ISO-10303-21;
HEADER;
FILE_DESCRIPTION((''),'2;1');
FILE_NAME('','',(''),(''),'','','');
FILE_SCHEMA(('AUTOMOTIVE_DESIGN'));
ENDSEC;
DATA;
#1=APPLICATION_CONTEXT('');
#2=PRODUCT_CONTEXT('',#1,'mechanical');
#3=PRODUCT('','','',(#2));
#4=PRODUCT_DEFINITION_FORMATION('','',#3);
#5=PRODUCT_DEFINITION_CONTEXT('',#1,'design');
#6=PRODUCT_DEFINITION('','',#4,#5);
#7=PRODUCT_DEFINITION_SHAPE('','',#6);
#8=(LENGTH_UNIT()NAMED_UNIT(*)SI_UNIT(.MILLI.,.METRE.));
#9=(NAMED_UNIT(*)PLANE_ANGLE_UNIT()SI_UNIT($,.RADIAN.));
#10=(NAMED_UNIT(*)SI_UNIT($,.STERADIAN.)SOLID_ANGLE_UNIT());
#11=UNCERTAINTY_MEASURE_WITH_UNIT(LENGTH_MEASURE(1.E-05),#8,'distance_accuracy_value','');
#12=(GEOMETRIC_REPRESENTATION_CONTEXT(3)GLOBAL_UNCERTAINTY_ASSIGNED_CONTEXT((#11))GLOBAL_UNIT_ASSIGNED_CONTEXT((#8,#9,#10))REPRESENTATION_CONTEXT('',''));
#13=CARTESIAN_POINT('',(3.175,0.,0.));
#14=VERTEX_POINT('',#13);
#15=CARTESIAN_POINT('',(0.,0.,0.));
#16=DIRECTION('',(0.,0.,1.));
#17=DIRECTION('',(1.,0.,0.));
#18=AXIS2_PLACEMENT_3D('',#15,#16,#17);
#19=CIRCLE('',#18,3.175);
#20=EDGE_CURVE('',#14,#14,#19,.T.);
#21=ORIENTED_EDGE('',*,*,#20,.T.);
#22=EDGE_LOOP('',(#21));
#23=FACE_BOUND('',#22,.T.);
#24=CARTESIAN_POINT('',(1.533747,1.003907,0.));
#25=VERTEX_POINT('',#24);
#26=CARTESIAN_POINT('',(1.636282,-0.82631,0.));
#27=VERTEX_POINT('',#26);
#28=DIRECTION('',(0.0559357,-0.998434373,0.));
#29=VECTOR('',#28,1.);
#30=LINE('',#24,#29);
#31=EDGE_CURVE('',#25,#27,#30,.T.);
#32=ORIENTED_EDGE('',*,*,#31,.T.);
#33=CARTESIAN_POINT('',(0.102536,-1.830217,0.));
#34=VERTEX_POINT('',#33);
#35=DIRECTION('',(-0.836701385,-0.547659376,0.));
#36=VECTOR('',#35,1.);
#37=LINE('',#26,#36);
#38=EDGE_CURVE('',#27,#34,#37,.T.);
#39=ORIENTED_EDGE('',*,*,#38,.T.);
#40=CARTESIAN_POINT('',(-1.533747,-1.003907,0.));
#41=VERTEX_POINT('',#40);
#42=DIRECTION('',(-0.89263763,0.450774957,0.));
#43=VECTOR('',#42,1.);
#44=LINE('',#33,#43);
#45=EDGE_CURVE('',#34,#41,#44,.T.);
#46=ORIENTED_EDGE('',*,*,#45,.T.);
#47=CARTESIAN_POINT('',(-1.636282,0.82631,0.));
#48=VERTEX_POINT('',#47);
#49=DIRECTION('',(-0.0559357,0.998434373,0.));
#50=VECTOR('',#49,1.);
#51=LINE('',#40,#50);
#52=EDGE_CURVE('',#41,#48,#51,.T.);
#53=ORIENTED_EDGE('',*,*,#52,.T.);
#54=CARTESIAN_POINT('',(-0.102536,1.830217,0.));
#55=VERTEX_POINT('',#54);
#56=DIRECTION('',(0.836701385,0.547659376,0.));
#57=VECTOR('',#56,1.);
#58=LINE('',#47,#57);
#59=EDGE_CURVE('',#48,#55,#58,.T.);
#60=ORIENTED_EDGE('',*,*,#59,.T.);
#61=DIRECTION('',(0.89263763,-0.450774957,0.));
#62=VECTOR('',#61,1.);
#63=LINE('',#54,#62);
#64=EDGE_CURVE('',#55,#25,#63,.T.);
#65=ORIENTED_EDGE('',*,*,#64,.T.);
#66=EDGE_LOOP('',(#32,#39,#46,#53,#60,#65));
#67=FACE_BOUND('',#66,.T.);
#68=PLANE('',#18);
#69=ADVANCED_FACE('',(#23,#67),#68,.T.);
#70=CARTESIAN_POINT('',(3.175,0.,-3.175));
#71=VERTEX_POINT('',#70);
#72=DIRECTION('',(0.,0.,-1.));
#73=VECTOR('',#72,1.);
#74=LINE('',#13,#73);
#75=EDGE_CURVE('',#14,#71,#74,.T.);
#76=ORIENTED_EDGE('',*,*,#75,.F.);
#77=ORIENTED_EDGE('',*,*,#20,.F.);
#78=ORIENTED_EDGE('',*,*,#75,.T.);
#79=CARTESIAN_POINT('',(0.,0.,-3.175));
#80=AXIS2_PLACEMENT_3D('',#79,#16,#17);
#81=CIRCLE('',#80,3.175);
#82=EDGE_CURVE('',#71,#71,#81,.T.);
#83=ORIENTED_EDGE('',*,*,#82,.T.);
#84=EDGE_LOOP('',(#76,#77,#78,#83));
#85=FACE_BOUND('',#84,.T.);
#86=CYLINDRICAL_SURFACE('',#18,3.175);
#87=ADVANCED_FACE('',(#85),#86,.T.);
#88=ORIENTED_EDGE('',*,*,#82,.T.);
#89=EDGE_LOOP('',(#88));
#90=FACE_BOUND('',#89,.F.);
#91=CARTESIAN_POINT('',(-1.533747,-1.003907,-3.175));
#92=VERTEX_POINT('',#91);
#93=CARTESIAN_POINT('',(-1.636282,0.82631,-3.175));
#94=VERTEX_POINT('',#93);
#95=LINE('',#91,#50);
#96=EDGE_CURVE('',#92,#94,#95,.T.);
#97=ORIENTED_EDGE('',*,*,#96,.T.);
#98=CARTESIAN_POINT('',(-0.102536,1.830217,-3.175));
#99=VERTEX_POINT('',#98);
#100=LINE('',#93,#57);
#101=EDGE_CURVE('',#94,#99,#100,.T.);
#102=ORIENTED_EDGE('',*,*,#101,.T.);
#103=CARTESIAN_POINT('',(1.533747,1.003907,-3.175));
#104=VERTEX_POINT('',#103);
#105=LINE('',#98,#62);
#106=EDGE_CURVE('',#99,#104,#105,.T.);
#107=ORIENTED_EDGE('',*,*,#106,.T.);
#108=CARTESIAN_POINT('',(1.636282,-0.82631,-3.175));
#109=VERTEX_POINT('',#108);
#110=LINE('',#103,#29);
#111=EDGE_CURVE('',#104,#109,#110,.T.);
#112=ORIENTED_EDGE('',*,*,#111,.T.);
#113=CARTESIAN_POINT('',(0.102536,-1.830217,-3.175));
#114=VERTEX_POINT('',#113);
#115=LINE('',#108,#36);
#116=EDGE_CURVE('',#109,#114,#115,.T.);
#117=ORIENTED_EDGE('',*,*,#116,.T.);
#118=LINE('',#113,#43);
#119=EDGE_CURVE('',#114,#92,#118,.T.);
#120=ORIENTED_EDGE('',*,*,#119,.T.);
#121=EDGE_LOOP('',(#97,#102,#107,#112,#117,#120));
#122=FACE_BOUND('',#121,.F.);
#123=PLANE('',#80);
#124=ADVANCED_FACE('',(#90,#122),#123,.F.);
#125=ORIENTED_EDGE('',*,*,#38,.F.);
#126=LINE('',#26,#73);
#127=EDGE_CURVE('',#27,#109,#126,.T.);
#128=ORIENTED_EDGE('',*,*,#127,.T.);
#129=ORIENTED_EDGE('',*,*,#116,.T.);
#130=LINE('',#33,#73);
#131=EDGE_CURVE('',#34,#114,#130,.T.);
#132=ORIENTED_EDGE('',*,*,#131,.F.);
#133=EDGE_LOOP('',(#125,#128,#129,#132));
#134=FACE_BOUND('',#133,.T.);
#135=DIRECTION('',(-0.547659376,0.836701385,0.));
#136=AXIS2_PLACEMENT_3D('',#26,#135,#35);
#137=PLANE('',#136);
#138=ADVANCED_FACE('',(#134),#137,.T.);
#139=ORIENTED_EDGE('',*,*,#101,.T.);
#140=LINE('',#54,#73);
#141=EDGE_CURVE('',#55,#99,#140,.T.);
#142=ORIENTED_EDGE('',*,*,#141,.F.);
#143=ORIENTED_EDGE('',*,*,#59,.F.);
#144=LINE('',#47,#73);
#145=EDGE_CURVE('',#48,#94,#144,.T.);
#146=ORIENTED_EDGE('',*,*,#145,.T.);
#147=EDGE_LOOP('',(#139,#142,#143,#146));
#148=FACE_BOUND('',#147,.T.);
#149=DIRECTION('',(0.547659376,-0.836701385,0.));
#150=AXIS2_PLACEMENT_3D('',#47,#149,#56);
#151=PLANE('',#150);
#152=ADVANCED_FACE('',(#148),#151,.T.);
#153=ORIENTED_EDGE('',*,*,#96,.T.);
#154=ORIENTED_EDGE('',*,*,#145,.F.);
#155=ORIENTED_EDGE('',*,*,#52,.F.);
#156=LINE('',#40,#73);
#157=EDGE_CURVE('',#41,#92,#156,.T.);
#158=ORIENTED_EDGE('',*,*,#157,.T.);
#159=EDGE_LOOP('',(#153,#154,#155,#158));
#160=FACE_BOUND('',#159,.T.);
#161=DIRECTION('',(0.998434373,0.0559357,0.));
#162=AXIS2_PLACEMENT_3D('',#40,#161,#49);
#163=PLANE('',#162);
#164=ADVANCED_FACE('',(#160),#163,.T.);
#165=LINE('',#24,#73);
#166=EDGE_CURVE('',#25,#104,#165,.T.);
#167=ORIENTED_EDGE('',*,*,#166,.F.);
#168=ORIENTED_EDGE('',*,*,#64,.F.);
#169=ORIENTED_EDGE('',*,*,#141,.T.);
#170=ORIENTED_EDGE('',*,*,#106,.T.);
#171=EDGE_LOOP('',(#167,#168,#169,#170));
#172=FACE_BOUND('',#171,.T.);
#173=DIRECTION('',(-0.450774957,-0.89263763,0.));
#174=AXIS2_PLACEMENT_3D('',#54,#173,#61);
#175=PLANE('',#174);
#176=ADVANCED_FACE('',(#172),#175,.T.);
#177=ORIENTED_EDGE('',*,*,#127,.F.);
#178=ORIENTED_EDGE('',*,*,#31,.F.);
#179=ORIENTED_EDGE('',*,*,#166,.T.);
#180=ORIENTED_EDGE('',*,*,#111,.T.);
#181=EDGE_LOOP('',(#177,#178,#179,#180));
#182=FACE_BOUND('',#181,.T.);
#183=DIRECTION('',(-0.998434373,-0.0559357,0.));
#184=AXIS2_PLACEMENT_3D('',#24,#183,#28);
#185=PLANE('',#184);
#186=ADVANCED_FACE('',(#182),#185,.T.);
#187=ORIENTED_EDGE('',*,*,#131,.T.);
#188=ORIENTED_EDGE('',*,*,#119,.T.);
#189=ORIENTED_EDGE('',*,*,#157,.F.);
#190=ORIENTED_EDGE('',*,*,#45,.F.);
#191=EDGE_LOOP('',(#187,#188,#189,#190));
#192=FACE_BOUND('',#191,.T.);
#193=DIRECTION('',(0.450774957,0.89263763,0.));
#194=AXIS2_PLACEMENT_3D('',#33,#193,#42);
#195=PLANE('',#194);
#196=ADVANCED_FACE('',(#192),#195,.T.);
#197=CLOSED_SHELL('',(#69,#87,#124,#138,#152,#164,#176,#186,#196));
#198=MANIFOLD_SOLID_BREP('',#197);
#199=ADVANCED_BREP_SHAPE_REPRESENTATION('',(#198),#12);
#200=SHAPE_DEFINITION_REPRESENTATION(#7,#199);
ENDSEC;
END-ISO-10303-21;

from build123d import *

# Parameters (mm, degrees)
F0_R     = 3.175
F1_DEPTH = 3.175


with BuildPart() as f1:
    # F0 (on Top) → F1 (new body)
    with BuildSketch(Plane.XY):
        Circle(F0_R)
        Polygon((-1.533747, -1.003907), (-1.636282, 0.82631), (-0.102536, 1.830217), (1.533747, 1.003907), (1.636282, -0.82631), (0.102536, -1.830217), align=None, mode=Mode.SUBTRACT)
    extrude(amount=-F1_DEPTH)


solid = f1.part
